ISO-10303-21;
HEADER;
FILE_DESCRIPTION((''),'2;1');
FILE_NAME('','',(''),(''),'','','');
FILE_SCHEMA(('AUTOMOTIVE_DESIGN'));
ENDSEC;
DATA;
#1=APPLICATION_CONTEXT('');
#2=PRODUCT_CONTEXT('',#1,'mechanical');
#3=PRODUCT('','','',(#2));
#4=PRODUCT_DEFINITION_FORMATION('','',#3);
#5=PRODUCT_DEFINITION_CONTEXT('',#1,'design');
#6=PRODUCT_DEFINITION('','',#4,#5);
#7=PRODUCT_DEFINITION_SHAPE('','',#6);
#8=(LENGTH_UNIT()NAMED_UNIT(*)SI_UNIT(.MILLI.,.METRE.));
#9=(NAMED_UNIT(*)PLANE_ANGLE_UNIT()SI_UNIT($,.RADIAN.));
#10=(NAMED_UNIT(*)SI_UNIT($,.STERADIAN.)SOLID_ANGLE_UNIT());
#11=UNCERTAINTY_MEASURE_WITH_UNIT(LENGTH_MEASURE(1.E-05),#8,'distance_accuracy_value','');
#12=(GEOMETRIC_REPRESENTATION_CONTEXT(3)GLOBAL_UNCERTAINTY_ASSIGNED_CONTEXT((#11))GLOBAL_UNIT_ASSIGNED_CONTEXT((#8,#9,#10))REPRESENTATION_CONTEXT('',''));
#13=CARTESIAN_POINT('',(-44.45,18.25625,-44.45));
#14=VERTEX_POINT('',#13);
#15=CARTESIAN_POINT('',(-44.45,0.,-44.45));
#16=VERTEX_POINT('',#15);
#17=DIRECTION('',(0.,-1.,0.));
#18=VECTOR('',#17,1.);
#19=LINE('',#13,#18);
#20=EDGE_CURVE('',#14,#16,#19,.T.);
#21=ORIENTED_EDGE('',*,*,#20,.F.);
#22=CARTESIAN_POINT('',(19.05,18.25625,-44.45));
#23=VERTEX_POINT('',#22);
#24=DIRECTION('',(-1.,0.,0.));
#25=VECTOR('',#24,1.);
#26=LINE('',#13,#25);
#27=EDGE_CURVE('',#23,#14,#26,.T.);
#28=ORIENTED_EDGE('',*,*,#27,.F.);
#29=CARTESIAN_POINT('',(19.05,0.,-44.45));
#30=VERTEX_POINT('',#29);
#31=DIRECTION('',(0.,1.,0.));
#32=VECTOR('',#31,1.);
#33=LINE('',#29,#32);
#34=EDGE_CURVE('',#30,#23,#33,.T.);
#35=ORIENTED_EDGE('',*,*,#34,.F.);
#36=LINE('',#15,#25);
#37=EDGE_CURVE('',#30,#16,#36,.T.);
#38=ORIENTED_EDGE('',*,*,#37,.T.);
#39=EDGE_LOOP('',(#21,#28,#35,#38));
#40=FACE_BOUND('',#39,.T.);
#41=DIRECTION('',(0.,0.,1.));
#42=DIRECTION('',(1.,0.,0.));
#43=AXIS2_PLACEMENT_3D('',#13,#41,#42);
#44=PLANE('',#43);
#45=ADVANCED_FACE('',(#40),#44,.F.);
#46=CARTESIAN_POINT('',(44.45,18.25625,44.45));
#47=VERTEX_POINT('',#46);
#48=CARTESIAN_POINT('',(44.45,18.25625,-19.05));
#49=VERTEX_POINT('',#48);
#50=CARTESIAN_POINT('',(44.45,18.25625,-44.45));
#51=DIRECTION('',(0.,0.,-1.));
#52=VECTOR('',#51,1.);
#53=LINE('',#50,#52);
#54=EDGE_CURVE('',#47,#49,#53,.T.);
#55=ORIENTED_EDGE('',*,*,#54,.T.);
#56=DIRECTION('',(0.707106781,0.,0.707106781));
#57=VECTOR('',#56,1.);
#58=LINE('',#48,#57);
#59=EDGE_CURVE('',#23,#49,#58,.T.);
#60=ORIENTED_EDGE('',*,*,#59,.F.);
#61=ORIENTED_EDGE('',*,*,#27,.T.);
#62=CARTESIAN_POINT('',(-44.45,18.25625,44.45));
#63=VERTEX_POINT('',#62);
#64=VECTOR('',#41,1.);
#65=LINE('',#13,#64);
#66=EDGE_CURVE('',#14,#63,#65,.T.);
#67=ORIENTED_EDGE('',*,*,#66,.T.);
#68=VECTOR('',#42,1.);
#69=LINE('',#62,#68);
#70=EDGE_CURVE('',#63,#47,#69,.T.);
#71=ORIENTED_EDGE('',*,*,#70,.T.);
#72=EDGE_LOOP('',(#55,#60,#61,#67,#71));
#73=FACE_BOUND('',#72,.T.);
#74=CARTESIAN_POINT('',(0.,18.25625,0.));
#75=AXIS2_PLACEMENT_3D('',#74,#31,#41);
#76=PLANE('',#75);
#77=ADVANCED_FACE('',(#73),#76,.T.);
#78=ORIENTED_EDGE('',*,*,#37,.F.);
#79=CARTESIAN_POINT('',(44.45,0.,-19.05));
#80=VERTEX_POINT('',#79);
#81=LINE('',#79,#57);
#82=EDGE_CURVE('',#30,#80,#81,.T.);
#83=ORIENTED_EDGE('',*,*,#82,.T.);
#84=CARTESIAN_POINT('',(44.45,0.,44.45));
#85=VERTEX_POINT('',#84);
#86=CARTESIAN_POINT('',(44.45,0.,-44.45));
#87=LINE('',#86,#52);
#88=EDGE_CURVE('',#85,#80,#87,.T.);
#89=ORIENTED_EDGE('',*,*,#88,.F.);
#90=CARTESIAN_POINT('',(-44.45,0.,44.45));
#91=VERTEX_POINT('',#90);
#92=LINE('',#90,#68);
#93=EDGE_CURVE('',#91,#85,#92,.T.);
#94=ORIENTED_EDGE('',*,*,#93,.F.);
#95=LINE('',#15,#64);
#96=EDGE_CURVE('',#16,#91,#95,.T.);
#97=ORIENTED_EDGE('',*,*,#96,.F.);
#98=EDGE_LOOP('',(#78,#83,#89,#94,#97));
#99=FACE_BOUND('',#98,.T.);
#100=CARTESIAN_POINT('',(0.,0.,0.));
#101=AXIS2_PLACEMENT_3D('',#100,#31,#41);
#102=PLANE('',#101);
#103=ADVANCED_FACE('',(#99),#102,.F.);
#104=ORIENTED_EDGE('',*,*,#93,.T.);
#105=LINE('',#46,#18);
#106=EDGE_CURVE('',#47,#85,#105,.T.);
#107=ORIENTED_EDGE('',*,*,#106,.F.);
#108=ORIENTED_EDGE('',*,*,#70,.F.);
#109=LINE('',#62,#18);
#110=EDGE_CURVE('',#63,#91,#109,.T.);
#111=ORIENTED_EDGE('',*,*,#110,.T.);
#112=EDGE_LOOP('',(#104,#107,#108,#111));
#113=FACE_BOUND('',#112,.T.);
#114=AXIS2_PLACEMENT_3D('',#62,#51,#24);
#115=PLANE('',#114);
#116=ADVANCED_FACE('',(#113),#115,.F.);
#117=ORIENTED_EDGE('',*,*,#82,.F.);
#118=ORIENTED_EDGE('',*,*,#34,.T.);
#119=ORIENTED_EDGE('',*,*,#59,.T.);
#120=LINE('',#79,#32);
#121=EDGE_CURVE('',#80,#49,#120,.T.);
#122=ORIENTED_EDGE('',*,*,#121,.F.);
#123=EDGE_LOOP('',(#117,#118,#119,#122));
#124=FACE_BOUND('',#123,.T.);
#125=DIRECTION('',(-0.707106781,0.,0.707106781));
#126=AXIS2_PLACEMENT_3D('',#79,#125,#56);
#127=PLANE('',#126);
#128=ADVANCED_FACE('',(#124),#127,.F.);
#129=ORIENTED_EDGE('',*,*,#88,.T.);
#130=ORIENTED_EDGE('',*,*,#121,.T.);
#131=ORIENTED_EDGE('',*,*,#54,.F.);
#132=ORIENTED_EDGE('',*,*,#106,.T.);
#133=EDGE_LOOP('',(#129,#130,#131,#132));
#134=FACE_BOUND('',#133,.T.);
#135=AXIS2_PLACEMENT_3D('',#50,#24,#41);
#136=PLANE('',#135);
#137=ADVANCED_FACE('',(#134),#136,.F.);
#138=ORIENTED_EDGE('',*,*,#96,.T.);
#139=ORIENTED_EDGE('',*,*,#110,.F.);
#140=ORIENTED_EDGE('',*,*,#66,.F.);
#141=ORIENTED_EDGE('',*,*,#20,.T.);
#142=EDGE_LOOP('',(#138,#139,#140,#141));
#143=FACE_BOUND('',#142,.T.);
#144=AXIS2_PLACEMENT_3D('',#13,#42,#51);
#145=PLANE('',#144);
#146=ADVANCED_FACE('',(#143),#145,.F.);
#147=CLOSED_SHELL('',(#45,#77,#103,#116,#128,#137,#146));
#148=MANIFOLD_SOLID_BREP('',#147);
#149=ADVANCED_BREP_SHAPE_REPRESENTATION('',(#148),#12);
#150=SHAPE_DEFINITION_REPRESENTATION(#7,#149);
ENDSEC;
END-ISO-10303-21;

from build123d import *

# Parameters (mm, degrees)
SKETCH1_W           = 88.9
SKETCH1_H           = 88.9
BOSS_EXTRUDE1_DEPTH = 18.25625
CUT_EXTRUDE1_DEPTH  = 66.459114446


with BuildPart() as part:
    # Sketch1 → Boss-Extrude1 (new body)
    with BuildSketch(Plane(origin=(0, 0, 0), x_dir=(1, 0, 0), z_dir=(0, 1, 0))):
        Rectangle(SKETCH1_W, SKETCH1_H)
    extrude(amount=BOSS_EXTRUDE1_DEPTH)

    # Sketch2 → Cut-Extrude1 (cut, through all)
    with BuildSketch(Plane(origin=(0, 18.25625, 0), x_dir=(1, 0, 0), z_dir=(0, 1, 0))):
        Polygon((44.45, 44.45), (44.45, 19.05), (19.05, 44.45), align=None)
    extrude(amount=-CUT_EXTRUDE1_DEPTH, mode=Mode.SUBTRACT)


solid = part.part
